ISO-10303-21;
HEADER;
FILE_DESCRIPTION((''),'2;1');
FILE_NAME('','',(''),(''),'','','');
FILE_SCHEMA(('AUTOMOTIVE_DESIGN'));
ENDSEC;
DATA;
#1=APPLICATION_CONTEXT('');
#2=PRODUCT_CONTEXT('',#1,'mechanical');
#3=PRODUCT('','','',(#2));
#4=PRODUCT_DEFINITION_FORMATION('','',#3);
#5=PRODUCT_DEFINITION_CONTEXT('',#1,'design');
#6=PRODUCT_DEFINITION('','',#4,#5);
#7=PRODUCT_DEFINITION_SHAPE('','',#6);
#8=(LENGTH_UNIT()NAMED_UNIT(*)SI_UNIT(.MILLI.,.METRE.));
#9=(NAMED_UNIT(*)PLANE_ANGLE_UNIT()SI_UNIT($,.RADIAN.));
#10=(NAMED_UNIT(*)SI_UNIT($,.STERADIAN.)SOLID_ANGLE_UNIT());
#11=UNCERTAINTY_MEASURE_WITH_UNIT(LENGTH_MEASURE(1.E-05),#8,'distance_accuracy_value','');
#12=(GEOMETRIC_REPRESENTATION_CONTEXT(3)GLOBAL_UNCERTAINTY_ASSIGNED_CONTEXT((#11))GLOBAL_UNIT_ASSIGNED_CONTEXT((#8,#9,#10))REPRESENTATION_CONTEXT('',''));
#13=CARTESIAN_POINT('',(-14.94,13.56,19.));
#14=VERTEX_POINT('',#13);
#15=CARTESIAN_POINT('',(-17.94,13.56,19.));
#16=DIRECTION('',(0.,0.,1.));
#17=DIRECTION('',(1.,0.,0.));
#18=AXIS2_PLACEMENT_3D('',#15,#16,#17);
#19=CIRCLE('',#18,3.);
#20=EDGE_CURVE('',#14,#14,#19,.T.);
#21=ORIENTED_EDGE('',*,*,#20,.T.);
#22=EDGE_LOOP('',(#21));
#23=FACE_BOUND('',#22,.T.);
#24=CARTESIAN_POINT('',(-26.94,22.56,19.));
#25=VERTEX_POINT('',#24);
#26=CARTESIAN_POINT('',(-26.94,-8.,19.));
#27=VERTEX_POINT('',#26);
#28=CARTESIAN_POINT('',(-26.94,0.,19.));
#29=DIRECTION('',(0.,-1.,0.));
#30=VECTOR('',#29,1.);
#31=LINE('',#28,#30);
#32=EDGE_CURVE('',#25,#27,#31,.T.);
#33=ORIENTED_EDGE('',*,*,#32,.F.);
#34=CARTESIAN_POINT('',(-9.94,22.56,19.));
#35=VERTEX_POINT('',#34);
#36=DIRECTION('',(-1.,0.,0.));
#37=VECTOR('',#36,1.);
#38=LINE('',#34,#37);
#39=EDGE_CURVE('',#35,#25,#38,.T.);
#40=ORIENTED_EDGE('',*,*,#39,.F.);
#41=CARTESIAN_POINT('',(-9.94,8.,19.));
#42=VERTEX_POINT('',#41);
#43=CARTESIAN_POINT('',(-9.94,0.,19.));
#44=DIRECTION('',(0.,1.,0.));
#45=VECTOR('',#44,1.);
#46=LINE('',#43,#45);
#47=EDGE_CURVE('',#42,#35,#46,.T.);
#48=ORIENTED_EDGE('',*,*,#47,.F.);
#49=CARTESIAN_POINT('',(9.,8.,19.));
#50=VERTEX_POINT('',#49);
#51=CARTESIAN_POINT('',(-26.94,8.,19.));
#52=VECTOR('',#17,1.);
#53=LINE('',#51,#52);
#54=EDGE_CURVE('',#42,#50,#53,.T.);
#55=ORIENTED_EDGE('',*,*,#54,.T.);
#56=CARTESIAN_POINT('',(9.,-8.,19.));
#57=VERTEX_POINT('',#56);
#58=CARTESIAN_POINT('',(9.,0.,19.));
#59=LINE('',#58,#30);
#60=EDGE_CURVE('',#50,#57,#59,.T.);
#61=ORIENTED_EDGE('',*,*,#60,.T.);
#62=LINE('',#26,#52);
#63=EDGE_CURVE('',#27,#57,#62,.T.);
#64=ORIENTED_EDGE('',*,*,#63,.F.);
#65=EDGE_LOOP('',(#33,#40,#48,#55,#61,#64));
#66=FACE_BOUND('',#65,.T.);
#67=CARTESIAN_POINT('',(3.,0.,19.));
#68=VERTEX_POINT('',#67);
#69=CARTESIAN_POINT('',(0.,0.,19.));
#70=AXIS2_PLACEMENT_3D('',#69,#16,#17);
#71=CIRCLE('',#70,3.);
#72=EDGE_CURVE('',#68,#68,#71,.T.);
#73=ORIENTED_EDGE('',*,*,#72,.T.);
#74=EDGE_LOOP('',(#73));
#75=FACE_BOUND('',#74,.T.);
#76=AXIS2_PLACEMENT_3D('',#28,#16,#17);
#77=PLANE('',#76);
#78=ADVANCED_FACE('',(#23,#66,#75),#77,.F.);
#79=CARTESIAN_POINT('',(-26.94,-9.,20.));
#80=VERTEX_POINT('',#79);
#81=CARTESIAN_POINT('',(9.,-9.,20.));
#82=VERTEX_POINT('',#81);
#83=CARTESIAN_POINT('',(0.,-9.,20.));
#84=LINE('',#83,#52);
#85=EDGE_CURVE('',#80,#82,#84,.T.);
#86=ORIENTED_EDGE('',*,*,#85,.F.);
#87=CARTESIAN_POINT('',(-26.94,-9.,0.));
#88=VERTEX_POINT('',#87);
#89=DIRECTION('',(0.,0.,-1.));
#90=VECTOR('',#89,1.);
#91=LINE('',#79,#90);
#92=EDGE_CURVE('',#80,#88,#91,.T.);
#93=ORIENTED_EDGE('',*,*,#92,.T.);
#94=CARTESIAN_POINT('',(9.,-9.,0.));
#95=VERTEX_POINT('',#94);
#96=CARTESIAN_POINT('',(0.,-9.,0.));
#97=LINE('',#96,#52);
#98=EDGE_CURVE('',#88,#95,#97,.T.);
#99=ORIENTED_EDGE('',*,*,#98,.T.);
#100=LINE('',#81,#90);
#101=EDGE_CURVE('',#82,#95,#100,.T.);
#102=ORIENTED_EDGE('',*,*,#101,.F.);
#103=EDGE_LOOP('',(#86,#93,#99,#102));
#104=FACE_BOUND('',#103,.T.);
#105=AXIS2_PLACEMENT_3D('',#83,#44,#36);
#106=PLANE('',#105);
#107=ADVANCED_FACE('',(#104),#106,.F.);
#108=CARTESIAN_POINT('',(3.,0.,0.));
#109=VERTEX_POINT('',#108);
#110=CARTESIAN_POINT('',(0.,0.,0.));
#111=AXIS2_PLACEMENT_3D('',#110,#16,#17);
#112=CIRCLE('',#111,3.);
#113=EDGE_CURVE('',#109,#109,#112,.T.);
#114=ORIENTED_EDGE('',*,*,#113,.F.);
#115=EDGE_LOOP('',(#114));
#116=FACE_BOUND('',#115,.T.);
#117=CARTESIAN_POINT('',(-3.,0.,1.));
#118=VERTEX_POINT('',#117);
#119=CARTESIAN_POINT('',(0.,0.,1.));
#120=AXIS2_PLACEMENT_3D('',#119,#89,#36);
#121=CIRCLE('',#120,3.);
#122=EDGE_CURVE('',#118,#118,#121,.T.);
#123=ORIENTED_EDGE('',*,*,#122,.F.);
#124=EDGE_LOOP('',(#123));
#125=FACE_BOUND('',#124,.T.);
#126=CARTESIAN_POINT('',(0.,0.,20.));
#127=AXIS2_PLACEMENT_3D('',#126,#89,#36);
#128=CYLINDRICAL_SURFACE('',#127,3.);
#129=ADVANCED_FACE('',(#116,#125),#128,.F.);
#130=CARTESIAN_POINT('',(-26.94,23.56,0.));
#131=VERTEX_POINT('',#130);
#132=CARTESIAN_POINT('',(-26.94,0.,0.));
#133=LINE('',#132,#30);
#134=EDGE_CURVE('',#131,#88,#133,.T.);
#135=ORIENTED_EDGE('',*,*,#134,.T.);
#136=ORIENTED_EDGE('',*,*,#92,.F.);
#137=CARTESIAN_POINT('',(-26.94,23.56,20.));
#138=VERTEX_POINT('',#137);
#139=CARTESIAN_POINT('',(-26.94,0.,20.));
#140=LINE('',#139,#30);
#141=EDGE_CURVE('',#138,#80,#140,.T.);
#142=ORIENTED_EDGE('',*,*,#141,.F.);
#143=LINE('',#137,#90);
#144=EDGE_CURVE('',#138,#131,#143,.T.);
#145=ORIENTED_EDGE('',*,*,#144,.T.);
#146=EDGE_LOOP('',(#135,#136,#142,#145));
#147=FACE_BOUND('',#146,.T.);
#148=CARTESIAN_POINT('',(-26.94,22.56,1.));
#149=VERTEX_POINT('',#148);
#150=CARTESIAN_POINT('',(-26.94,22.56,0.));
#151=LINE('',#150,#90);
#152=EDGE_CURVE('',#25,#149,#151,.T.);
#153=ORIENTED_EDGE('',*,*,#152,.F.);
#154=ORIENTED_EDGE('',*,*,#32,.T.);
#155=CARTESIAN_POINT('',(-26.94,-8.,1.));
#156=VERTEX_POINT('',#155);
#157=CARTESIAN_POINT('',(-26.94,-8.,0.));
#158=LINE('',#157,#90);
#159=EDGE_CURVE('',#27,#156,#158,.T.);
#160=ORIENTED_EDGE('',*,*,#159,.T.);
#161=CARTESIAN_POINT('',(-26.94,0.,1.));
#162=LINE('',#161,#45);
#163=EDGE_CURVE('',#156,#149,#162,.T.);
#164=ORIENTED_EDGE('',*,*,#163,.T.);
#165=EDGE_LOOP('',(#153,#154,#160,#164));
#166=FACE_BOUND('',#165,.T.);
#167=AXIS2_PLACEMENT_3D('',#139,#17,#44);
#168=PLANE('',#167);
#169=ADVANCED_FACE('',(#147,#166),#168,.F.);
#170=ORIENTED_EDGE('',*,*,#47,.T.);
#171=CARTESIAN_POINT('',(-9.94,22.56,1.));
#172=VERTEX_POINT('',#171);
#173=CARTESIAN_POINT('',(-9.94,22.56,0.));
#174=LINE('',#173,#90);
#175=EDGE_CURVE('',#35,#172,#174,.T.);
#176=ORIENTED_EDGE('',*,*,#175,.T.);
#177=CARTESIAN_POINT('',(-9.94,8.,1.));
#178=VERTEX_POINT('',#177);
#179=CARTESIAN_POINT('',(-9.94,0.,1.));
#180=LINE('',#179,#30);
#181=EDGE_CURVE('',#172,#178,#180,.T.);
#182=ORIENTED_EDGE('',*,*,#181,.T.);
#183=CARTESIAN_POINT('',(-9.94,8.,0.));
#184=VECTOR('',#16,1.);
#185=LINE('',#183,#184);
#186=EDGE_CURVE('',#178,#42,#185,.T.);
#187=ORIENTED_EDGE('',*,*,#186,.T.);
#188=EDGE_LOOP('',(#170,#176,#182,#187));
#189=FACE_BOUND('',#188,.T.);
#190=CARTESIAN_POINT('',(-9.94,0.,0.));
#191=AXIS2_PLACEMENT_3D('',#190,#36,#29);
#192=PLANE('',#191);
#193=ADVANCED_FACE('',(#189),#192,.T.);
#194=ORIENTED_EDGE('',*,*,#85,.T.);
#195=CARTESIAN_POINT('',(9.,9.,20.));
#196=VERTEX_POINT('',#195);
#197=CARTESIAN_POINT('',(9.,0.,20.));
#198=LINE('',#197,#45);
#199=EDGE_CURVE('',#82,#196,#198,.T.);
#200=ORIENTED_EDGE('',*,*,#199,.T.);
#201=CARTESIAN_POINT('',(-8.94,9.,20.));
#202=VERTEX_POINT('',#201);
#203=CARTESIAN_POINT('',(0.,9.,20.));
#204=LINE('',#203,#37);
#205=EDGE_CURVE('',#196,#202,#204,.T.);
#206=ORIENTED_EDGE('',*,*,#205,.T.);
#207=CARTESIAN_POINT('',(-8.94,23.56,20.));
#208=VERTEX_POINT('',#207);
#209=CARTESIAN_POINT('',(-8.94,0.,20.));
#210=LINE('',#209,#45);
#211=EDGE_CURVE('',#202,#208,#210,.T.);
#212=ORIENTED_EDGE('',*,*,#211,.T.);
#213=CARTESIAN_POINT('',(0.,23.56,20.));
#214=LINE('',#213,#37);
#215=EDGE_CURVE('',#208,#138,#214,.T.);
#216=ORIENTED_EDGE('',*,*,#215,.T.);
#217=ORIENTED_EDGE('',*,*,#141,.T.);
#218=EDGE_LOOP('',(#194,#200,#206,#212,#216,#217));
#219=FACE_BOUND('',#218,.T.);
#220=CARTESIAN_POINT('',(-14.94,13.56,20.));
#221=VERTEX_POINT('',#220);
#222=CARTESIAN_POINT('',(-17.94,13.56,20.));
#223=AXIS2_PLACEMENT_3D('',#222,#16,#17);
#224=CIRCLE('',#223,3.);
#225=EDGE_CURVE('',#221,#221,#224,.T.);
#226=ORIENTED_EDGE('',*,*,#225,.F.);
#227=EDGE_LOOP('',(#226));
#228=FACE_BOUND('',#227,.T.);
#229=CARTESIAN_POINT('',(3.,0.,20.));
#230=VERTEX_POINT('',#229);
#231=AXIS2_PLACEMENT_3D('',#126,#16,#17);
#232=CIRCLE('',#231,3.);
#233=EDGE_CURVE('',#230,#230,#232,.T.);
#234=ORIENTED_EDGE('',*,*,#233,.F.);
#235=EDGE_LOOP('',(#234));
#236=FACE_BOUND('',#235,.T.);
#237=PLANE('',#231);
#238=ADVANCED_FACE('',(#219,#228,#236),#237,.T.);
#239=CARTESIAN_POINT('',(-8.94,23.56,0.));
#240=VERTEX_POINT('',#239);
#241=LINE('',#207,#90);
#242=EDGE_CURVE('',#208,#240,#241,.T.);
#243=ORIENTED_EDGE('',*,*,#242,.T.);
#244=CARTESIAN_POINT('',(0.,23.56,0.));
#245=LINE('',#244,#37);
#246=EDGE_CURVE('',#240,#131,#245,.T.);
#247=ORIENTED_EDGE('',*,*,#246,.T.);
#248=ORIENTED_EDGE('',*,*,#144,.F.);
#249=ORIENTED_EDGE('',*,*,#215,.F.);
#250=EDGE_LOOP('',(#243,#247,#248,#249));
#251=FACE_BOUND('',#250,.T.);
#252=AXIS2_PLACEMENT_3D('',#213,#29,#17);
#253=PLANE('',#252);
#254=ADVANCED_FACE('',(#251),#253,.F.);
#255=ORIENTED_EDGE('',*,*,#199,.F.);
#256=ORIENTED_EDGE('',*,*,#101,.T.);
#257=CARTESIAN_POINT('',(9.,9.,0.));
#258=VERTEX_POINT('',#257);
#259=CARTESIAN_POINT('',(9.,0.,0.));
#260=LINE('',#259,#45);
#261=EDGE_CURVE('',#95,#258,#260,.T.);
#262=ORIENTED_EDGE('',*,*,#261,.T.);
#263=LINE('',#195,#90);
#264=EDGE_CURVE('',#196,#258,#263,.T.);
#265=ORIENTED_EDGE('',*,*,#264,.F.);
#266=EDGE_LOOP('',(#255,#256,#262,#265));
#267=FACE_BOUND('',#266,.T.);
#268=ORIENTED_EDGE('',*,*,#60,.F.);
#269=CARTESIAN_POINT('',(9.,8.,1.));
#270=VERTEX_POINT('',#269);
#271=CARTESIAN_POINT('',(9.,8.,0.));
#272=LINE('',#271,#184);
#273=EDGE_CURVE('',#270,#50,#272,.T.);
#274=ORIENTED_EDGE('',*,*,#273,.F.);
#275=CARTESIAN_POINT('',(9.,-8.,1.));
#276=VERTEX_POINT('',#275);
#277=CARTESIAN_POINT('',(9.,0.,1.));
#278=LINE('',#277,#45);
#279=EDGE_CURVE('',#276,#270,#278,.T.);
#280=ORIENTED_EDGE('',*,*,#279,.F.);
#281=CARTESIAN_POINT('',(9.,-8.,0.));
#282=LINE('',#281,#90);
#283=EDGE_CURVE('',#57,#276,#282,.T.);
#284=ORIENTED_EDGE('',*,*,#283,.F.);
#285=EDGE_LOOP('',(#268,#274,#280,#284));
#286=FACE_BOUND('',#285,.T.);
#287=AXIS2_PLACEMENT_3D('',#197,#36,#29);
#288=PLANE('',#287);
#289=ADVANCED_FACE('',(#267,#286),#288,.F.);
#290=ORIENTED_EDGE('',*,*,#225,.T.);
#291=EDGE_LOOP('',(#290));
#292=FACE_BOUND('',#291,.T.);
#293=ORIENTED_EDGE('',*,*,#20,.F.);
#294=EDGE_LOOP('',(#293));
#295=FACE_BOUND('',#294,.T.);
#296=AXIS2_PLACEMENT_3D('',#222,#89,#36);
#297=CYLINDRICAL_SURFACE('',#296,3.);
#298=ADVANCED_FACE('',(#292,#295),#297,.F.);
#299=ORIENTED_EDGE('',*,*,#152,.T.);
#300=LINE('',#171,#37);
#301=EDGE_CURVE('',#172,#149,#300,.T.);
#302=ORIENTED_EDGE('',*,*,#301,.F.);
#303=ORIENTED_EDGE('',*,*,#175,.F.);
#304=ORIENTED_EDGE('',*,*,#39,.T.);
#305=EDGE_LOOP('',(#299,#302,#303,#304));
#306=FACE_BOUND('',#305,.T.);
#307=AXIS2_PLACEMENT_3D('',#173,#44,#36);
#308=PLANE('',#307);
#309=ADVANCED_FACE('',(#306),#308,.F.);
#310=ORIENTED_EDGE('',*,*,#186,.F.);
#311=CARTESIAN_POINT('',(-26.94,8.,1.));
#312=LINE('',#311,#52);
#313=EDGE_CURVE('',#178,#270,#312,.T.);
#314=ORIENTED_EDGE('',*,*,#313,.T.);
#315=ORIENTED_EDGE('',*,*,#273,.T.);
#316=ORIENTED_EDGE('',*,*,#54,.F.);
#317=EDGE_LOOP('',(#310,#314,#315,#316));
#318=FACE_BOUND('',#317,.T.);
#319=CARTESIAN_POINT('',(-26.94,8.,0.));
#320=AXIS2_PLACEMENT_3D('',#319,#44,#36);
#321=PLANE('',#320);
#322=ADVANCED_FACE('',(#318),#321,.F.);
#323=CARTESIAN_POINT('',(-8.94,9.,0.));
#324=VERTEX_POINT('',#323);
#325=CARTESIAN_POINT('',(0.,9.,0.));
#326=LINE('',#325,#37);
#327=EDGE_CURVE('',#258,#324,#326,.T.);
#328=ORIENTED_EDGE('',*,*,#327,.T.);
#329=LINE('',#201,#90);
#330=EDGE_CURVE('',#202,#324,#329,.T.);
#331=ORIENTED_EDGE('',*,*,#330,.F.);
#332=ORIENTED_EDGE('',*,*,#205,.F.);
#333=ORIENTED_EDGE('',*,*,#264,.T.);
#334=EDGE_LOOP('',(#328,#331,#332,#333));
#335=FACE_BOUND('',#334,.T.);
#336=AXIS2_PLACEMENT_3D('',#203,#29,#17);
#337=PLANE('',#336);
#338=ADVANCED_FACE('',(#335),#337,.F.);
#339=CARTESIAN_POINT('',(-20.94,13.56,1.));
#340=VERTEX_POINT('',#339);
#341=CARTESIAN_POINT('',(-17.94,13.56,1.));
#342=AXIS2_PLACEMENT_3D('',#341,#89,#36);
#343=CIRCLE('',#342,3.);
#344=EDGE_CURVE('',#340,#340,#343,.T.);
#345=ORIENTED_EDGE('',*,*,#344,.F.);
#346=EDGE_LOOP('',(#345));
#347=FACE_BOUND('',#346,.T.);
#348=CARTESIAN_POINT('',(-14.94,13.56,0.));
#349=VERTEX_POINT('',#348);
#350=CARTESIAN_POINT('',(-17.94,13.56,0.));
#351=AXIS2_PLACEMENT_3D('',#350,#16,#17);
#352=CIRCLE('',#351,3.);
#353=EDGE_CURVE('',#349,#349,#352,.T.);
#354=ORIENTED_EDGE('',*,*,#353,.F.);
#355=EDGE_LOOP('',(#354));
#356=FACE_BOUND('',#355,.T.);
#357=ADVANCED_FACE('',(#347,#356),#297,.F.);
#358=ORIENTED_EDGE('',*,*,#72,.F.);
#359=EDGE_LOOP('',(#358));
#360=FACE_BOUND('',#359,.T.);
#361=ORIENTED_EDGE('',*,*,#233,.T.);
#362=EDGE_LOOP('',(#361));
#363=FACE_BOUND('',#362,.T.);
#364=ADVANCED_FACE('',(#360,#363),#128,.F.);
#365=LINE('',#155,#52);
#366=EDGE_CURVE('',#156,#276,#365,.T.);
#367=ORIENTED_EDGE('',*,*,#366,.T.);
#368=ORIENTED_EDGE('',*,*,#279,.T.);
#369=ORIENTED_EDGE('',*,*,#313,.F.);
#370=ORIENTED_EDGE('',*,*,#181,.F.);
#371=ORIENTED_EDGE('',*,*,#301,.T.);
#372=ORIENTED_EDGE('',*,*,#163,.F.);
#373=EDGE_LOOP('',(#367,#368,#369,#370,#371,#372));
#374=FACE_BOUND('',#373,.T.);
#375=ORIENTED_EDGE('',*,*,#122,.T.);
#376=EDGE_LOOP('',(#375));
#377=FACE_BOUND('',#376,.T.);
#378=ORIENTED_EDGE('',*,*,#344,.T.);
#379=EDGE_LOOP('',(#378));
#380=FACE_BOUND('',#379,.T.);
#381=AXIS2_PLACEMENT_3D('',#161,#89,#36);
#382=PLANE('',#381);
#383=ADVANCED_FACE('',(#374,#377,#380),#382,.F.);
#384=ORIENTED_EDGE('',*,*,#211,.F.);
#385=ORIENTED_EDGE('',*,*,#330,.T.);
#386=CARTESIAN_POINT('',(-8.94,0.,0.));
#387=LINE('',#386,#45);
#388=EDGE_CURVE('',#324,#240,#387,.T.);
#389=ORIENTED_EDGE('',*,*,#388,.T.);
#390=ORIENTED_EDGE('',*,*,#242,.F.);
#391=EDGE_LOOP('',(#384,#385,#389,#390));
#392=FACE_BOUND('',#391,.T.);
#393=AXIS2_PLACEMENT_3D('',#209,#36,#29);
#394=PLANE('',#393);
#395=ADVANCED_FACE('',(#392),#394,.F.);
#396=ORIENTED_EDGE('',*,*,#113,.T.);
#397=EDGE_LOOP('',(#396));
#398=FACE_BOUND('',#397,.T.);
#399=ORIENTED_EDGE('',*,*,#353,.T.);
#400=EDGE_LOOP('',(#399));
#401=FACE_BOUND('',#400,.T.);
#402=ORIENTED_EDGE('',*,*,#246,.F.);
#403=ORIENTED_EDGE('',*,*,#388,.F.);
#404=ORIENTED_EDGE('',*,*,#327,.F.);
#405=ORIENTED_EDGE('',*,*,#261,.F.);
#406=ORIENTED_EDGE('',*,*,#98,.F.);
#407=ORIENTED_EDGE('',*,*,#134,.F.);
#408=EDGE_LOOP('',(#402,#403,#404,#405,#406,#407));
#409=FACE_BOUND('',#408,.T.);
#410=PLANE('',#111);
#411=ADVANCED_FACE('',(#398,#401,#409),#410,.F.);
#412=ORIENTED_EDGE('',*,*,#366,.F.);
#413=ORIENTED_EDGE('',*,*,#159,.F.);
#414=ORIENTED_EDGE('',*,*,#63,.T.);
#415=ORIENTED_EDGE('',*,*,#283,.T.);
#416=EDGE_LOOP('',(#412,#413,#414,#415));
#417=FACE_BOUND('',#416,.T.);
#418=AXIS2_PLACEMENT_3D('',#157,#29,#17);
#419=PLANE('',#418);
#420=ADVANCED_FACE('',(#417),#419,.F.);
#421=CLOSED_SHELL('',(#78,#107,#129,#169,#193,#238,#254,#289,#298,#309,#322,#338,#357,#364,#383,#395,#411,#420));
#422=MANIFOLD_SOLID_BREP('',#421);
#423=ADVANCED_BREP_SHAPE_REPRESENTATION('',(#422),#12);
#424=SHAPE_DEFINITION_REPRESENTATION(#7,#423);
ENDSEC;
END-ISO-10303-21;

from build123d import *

# Parameters (mm, degrees)
SKETCH4_R           = 3
BOSS_EXTRUDE1_DEPTH = 20
SKETCH5_W           = 18
SKETCH5_H           = 16
CUT_EXTRUDE3_DEPTH  = 36.94
SKETCH6_W           = 18
SKETCH6_H           = 14.56
CUT_EXTRUDE4_DEPTH  = 17


with BuildPart() as part:
    # Sketch4 → Boss-Extrude1 (new body)
    with BuildSketch(Plane.XY):
        Polygon((-8.94, 9), (-8.94, 23.56), (-26.94, 23.56), (-26.94, -9), (9, -9), (9, 9), align=None)
        Circle(SKETCH4_R, mode=Mode.SUBTRACT)
        with Locations((-17.94, 13.56)):
            Circle(SKETCH4_R, mode=Mode.SUBTRACT)
    extrude(amount=BOSS_EXTRUDE1_DEPTH)

    # Sketch5 → Cut-Extrude3 (cut, through all)
    with BuildSketch(Plane(origin=(9, 0, 0), x_dir=(0, 0, -1), z_dir=(1, 0, 0))):
        with Locations((-10, 0)):
            Rectangle(SKETCH5_W, SKETCH5_H)
    extrude(amount=-CUT_EXTRUDE3_DEPTH, mode=Mode.SUBTRACT)

    # Sketch6 → Cut-Extrude4 (cut)
    with BuildSketch(Plane.ZY.offset(26.94)):
        with Locations((10, 15.28)):
            Rectangle(SKETCH6_W, SKETCH6_H)
    extrude(amount=-CUT_EXTRUDE4_DEPTH, mode=Mode.SUBTRACT)


solid = part.part
